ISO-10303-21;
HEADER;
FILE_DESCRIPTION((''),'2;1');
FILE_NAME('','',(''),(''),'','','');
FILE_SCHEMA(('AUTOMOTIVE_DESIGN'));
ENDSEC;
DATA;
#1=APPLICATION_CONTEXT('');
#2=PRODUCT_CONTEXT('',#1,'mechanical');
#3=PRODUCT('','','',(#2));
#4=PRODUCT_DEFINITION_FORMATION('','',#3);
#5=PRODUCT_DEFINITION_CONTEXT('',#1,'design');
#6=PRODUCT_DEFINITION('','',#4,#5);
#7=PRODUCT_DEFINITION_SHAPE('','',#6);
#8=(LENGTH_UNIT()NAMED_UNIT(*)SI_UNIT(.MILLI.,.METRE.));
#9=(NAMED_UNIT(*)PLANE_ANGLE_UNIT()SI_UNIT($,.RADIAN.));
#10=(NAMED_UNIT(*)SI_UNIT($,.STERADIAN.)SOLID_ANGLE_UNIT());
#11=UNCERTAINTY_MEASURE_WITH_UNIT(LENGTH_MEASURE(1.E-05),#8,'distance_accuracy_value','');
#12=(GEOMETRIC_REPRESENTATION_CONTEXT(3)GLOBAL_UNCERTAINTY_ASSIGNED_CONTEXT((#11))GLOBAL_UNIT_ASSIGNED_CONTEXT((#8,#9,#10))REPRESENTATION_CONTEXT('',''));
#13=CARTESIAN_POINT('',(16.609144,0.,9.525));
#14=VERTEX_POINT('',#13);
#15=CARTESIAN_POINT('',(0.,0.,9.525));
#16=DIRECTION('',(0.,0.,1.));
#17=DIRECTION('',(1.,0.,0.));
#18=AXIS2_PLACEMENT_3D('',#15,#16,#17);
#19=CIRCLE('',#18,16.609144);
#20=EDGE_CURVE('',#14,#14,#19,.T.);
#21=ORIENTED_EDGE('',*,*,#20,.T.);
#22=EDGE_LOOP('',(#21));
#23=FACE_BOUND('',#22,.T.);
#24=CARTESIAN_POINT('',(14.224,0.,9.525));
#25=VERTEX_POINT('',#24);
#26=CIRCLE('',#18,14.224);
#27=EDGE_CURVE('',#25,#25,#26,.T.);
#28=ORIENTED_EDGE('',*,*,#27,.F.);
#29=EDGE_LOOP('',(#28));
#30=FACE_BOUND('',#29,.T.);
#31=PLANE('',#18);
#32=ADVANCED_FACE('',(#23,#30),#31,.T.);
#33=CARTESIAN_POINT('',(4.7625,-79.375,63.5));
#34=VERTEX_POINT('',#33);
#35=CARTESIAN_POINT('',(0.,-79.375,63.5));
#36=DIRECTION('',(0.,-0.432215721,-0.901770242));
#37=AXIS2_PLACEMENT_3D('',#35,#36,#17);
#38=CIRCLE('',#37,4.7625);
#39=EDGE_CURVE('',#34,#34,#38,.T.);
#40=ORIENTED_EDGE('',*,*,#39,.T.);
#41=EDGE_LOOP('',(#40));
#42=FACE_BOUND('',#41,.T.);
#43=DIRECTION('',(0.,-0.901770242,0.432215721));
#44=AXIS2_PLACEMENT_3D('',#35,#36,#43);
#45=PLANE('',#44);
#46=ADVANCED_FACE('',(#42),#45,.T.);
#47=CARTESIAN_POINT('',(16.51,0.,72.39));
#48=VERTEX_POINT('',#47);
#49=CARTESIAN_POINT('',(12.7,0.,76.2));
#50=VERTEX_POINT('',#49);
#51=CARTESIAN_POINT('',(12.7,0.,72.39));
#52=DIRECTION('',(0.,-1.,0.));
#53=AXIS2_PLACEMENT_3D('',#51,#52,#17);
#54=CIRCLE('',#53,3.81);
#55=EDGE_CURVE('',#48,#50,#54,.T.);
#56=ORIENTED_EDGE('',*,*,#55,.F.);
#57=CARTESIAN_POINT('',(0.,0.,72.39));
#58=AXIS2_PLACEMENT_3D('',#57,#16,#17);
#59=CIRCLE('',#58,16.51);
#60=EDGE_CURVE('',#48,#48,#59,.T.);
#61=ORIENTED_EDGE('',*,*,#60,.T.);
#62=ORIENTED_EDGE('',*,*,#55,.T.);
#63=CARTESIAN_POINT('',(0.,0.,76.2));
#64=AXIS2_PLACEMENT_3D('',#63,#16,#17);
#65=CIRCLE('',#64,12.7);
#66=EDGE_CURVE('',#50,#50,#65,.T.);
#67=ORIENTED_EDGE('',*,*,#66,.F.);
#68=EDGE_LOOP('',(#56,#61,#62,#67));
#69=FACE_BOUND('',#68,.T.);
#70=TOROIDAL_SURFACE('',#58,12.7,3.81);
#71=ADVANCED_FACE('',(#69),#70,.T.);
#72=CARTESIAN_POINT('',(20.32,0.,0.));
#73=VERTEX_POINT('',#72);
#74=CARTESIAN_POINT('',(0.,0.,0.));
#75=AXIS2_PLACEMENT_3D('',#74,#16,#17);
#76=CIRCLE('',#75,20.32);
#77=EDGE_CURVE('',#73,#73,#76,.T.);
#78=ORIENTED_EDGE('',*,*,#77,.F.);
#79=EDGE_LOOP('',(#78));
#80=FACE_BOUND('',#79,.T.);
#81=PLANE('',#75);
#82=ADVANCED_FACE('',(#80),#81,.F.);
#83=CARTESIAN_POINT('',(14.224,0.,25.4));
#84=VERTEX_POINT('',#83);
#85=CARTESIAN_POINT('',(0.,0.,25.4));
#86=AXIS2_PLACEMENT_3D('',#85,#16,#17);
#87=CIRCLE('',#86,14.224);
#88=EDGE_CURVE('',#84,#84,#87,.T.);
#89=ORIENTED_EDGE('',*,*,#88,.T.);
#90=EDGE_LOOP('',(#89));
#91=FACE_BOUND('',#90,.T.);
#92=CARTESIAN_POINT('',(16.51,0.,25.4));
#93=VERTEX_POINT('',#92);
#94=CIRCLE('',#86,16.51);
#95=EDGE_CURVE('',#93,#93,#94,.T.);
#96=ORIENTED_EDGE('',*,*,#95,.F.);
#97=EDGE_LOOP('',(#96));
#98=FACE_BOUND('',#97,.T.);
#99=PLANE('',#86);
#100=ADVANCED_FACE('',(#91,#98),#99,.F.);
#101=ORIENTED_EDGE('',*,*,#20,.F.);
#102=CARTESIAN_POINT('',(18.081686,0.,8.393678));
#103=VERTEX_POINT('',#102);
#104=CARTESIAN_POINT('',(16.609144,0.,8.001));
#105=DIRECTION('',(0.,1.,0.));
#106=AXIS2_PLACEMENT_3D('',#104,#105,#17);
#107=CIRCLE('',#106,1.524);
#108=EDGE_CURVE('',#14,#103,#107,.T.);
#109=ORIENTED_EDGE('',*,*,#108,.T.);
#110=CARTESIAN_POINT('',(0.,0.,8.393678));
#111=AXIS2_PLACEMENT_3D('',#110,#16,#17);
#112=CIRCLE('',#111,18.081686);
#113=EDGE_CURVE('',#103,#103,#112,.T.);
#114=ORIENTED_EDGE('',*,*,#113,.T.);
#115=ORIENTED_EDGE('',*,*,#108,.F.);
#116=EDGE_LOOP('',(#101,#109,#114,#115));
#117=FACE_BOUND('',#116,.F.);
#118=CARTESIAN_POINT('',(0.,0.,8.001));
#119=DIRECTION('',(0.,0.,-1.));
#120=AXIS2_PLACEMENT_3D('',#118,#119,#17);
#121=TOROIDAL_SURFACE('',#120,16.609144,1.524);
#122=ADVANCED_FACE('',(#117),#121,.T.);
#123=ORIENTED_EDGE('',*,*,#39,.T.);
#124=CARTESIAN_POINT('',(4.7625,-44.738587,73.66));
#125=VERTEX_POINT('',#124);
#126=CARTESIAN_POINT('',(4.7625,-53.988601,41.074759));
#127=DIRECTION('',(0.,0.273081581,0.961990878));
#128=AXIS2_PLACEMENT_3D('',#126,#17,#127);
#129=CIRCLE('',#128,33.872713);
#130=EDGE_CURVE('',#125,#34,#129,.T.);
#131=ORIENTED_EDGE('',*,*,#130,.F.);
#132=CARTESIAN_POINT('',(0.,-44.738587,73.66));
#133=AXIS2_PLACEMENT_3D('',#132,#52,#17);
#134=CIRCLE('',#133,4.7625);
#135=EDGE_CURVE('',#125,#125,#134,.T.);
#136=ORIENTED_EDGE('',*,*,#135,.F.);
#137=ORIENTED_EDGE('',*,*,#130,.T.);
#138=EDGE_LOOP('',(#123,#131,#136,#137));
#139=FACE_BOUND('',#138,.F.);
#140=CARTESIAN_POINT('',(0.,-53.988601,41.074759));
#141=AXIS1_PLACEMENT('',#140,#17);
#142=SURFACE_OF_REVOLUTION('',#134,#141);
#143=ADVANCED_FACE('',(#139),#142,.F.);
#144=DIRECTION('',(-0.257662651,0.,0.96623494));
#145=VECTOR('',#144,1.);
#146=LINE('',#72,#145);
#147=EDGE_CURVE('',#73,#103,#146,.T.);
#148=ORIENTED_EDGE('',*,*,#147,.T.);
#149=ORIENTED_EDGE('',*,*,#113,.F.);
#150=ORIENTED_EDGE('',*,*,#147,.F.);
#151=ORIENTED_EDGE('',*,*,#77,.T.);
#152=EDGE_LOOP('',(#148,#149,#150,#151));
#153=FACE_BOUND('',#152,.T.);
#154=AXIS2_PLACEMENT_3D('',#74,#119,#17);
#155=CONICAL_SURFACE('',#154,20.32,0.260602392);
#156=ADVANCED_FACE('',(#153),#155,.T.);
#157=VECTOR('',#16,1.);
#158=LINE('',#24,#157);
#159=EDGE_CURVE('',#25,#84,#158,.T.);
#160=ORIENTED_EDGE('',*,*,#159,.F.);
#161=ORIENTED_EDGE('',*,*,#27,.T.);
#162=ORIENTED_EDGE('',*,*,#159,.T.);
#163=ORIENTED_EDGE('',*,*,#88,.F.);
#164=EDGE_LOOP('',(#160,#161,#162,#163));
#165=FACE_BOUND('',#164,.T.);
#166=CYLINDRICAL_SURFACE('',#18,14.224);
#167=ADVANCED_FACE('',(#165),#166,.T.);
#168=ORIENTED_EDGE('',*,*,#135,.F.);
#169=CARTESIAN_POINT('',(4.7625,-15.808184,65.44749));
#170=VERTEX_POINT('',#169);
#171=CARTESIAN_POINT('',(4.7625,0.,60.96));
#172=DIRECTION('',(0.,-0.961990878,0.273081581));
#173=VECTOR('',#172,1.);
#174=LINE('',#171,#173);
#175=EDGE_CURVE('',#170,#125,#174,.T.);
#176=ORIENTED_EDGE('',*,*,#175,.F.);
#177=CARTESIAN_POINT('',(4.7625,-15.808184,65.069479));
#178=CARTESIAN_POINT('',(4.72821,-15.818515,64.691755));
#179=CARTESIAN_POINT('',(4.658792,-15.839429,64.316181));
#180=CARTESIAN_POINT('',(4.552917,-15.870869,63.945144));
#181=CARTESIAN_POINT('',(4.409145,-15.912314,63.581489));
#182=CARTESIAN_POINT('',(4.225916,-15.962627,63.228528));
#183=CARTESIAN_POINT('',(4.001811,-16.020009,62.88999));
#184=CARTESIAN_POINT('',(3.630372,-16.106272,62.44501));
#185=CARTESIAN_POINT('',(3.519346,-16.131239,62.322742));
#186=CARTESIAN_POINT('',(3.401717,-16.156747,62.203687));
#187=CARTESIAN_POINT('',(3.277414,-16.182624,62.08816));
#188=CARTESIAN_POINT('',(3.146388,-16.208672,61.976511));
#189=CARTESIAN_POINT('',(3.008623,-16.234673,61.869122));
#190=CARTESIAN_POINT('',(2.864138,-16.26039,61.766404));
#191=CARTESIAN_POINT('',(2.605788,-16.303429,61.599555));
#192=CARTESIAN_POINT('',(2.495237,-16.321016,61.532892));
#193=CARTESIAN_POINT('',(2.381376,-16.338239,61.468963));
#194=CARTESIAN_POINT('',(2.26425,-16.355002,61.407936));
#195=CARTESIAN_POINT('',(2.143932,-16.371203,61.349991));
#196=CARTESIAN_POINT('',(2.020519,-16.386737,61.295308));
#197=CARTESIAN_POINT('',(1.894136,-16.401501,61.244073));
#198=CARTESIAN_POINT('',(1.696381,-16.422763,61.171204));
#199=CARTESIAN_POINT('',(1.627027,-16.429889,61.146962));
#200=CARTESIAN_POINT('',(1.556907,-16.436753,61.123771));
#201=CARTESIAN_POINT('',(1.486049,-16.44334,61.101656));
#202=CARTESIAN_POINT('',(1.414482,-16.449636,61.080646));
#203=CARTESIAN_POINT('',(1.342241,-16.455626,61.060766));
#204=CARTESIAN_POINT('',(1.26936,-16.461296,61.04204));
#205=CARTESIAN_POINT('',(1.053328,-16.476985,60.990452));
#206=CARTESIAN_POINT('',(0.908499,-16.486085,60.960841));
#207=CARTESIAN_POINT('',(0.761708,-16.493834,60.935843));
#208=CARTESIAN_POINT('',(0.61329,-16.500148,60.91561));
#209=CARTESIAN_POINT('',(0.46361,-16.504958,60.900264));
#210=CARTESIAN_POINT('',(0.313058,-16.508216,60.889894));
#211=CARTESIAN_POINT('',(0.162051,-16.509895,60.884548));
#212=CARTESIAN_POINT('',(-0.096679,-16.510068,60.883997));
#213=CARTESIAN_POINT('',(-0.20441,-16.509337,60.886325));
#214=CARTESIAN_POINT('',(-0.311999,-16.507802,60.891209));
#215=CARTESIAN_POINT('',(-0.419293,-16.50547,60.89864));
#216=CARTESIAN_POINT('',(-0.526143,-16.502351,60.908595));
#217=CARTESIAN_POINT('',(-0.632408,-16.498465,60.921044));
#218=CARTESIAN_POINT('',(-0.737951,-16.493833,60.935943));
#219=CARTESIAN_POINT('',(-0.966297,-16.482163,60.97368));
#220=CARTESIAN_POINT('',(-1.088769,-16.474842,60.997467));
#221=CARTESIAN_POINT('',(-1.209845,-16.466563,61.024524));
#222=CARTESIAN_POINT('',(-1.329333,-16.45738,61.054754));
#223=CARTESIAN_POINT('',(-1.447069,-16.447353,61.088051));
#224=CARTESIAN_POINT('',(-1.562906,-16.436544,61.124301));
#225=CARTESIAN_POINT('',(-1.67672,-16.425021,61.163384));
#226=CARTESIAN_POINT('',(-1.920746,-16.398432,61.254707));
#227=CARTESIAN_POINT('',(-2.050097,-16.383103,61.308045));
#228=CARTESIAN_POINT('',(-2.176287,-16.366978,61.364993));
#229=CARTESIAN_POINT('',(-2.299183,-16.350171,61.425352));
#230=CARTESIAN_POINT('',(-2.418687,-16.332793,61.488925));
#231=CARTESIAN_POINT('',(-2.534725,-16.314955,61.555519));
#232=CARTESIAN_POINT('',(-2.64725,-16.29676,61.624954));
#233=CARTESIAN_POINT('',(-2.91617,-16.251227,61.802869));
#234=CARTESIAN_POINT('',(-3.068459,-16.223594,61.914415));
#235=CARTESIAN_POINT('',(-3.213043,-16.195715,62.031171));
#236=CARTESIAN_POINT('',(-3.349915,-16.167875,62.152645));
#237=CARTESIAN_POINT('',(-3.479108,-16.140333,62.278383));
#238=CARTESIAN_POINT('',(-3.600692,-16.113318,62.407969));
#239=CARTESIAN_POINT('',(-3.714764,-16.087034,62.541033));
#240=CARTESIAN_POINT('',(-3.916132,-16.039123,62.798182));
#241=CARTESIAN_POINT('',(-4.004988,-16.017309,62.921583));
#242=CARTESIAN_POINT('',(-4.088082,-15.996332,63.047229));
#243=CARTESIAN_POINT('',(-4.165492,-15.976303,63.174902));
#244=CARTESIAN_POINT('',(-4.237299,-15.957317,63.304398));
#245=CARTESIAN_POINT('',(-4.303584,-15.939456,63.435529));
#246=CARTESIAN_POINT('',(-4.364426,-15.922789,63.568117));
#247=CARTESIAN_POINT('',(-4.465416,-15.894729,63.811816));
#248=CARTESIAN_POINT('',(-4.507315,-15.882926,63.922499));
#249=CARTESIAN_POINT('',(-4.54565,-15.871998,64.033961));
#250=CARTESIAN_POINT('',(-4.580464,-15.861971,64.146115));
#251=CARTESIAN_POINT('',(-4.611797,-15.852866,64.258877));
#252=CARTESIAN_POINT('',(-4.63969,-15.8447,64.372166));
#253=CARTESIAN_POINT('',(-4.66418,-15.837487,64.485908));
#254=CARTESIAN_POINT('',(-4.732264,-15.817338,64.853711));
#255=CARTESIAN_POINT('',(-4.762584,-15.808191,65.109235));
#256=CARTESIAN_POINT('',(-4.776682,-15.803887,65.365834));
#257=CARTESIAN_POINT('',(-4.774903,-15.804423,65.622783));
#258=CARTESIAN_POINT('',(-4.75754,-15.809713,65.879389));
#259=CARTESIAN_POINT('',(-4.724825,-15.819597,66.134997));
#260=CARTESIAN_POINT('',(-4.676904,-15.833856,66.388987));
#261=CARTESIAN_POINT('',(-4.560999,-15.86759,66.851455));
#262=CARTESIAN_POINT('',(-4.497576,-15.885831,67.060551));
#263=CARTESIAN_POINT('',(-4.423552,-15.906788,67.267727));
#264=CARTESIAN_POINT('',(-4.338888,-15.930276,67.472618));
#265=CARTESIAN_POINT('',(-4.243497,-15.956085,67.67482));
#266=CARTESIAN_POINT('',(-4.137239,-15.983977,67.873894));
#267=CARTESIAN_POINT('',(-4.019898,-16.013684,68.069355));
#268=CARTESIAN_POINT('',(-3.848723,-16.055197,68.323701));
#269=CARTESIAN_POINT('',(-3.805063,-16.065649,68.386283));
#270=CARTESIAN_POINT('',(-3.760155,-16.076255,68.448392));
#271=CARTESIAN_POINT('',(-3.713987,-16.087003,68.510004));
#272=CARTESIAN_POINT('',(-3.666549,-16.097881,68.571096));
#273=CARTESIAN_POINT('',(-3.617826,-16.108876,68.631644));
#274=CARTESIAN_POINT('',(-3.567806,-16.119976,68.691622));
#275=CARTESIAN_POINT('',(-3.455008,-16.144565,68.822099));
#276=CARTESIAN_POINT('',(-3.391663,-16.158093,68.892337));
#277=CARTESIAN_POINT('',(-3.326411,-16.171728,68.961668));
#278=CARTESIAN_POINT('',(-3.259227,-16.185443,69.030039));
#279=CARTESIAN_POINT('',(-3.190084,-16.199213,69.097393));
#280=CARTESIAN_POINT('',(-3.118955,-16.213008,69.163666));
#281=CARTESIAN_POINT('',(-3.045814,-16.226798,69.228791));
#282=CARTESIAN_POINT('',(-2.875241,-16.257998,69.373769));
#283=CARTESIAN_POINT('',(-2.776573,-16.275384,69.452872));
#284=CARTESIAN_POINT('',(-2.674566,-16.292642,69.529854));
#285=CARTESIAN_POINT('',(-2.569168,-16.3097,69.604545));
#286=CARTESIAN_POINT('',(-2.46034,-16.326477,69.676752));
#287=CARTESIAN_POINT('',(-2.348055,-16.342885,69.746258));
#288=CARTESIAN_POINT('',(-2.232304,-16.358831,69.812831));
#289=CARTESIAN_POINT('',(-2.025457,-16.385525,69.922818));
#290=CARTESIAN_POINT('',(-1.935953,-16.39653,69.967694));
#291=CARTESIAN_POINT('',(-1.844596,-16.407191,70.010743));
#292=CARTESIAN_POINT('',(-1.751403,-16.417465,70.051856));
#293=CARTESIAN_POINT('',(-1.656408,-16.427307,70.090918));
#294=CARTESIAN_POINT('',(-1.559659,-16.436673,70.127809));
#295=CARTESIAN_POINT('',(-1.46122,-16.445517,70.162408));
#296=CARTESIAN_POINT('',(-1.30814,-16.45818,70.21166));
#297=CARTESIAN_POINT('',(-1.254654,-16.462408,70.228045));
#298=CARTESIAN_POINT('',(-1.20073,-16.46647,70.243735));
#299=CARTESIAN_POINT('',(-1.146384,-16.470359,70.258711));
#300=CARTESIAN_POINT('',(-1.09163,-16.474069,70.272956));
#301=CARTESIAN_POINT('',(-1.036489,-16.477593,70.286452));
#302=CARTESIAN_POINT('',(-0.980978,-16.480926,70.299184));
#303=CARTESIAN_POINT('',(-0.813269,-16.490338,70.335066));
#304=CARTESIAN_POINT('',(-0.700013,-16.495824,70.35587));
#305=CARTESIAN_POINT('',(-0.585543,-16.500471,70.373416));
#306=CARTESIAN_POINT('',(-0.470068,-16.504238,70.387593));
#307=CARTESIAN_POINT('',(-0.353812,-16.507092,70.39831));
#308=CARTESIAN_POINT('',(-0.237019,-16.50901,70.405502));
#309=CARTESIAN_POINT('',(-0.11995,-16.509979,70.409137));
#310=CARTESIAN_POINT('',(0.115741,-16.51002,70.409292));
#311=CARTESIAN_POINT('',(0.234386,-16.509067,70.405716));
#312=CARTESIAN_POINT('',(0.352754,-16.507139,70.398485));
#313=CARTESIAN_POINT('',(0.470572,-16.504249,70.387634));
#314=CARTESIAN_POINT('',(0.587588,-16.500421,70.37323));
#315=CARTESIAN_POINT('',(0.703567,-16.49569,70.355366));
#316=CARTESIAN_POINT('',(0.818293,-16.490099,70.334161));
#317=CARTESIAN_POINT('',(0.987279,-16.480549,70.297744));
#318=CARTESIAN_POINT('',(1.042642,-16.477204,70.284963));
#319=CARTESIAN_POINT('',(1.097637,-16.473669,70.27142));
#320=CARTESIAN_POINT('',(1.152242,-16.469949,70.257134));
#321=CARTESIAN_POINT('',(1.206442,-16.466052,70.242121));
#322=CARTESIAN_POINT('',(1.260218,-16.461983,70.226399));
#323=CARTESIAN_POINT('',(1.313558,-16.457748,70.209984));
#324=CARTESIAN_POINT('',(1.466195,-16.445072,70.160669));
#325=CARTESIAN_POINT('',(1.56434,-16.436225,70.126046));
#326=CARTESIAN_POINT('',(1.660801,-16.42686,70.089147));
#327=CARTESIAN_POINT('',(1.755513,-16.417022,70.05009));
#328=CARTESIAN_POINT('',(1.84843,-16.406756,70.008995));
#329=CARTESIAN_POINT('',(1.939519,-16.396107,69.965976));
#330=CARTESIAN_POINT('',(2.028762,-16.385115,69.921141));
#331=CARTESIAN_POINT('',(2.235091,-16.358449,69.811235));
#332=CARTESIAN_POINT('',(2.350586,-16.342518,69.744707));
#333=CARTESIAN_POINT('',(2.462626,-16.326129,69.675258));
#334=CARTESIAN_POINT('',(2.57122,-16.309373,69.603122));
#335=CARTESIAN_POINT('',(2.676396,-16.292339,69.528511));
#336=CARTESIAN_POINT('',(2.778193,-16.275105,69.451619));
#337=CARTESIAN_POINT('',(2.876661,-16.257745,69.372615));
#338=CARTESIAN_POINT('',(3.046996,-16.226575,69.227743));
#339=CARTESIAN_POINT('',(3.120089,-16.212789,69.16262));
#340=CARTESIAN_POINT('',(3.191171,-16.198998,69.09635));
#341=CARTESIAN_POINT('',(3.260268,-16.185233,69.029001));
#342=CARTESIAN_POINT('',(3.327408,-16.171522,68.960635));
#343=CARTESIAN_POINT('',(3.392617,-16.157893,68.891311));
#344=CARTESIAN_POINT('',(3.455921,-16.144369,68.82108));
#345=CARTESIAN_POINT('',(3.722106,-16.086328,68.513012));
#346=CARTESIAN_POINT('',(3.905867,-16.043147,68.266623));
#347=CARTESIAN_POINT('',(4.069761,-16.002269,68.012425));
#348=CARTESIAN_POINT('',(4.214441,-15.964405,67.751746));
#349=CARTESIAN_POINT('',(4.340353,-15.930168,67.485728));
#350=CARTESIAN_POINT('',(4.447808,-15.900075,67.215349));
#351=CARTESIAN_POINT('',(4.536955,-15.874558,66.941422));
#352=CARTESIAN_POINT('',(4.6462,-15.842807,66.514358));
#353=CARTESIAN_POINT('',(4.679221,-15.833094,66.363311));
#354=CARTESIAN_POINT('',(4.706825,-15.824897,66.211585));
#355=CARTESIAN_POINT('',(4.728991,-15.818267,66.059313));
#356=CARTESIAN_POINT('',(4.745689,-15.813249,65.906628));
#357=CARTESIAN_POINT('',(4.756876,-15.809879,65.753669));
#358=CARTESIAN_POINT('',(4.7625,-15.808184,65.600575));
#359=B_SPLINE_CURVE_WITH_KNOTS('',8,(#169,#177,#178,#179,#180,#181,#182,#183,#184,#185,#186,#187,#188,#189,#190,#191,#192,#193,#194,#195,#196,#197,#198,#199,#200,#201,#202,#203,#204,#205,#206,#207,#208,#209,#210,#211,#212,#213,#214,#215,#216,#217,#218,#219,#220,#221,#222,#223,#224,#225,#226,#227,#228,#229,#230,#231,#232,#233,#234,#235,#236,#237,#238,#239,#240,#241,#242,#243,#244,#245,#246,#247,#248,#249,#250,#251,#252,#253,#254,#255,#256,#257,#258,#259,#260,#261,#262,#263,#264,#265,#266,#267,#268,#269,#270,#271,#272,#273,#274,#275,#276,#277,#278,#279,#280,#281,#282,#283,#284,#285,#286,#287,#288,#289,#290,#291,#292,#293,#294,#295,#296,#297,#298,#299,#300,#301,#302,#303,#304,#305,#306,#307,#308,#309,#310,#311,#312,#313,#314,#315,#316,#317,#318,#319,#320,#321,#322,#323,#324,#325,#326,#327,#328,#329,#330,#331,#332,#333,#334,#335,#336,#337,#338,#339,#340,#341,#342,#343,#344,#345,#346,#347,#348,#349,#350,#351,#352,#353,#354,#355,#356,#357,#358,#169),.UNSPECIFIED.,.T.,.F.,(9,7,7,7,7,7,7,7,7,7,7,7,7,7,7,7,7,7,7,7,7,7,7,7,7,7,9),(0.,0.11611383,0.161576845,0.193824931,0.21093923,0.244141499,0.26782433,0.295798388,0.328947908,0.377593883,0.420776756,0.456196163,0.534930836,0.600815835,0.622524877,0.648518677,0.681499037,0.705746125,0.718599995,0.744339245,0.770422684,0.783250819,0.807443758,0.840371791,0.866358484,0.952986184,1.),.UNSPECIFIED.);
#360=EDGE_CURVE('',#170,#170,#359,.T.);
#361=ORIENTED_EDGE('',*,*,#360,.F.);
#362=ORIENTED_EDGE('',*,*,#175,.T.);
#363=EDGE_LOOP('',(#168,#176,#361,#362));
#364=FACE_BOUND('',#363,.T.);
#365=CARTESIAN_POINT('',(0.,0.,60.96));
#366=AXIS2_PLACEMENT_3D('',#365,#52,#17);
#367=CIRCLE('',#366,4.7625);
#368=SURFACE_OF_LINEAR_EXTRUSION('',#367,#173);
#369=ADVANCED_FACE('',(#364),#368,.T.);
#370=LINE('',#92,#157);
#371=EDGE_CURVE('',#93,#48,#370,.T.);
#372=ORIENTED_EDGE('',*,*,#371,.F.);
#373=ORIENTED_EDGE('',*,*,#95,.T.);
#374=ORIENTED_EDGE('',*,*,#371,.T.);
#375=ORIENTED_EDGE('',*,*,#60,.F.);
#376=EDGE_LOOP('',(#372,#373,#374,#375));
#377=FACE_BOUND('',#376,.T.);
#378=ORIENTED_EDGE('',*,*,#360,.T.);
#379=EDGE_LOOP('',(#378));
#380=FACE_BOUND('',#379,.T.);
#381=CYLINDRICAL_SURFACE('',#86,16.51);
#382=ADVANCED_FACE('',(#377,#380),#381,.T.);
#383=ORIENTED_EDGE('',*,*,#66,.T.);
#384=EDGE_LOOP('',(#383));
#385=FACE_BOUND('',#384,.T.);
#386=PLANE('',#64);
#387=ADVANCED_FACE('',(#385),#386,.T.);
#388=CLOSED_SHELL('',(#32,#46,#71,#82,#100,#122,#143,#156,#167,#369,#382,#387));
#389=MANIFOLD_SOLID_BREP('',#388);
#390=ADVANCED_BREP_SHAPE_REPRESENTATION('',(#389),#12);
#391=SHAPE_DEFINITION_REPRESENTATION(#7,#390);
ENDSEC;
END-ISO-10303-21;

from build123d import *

# Parameters (mm, degrees)
F2_R = 3.81
F3_R = 1.524
F5_R = 4.7625


with BuildPart() as f1:
    # F0 (on Front) → F1 (revolve)
    with BuildSketch(Plane.XZ):
        Polygon((0, 76.2), (0, 0), (20.32, 0), (17.78, 9.525), (14.224, 9.525), (14.224, 25.4), (16.51, 25.4), (16.51, 76.2), align=None)
    revolve(axis=Axis((0, 0, 38.1), (0, 0, 1)))

    # F2
    f2_edges = [f1.edges().sort_by_distance(p)[0] for p in [
        (-16.51, 0, 76.2),
    ]]
    fillet(f2_edges, radius=F2_R)

    # F3
    f3_edges = [f1.edges().sort_by_distance(p)[0] for p in [
        (-17.78, 0, 9.525),
    ]]
    fillet(f3_edges, radius=F3_R)

    # F6: sweep along a path in F4
    with BuildLine(Plane.YZ) as f6_path:
        Line((0, 60.96), (-44.7385872582, 73.66))
        ThreePointArc((-44.7385872582, 73.66), (-63.5228620001, 73.5779674415), (-79.375, 63.5))
    # F5 (on Front) → F6 (sweep)
    with BuildSketch(Plane.XZ):
        with Locations((0, 60.96)):
            Circle(F5_R)
    sweep(path=f6_path.line)


solid = f1.part
